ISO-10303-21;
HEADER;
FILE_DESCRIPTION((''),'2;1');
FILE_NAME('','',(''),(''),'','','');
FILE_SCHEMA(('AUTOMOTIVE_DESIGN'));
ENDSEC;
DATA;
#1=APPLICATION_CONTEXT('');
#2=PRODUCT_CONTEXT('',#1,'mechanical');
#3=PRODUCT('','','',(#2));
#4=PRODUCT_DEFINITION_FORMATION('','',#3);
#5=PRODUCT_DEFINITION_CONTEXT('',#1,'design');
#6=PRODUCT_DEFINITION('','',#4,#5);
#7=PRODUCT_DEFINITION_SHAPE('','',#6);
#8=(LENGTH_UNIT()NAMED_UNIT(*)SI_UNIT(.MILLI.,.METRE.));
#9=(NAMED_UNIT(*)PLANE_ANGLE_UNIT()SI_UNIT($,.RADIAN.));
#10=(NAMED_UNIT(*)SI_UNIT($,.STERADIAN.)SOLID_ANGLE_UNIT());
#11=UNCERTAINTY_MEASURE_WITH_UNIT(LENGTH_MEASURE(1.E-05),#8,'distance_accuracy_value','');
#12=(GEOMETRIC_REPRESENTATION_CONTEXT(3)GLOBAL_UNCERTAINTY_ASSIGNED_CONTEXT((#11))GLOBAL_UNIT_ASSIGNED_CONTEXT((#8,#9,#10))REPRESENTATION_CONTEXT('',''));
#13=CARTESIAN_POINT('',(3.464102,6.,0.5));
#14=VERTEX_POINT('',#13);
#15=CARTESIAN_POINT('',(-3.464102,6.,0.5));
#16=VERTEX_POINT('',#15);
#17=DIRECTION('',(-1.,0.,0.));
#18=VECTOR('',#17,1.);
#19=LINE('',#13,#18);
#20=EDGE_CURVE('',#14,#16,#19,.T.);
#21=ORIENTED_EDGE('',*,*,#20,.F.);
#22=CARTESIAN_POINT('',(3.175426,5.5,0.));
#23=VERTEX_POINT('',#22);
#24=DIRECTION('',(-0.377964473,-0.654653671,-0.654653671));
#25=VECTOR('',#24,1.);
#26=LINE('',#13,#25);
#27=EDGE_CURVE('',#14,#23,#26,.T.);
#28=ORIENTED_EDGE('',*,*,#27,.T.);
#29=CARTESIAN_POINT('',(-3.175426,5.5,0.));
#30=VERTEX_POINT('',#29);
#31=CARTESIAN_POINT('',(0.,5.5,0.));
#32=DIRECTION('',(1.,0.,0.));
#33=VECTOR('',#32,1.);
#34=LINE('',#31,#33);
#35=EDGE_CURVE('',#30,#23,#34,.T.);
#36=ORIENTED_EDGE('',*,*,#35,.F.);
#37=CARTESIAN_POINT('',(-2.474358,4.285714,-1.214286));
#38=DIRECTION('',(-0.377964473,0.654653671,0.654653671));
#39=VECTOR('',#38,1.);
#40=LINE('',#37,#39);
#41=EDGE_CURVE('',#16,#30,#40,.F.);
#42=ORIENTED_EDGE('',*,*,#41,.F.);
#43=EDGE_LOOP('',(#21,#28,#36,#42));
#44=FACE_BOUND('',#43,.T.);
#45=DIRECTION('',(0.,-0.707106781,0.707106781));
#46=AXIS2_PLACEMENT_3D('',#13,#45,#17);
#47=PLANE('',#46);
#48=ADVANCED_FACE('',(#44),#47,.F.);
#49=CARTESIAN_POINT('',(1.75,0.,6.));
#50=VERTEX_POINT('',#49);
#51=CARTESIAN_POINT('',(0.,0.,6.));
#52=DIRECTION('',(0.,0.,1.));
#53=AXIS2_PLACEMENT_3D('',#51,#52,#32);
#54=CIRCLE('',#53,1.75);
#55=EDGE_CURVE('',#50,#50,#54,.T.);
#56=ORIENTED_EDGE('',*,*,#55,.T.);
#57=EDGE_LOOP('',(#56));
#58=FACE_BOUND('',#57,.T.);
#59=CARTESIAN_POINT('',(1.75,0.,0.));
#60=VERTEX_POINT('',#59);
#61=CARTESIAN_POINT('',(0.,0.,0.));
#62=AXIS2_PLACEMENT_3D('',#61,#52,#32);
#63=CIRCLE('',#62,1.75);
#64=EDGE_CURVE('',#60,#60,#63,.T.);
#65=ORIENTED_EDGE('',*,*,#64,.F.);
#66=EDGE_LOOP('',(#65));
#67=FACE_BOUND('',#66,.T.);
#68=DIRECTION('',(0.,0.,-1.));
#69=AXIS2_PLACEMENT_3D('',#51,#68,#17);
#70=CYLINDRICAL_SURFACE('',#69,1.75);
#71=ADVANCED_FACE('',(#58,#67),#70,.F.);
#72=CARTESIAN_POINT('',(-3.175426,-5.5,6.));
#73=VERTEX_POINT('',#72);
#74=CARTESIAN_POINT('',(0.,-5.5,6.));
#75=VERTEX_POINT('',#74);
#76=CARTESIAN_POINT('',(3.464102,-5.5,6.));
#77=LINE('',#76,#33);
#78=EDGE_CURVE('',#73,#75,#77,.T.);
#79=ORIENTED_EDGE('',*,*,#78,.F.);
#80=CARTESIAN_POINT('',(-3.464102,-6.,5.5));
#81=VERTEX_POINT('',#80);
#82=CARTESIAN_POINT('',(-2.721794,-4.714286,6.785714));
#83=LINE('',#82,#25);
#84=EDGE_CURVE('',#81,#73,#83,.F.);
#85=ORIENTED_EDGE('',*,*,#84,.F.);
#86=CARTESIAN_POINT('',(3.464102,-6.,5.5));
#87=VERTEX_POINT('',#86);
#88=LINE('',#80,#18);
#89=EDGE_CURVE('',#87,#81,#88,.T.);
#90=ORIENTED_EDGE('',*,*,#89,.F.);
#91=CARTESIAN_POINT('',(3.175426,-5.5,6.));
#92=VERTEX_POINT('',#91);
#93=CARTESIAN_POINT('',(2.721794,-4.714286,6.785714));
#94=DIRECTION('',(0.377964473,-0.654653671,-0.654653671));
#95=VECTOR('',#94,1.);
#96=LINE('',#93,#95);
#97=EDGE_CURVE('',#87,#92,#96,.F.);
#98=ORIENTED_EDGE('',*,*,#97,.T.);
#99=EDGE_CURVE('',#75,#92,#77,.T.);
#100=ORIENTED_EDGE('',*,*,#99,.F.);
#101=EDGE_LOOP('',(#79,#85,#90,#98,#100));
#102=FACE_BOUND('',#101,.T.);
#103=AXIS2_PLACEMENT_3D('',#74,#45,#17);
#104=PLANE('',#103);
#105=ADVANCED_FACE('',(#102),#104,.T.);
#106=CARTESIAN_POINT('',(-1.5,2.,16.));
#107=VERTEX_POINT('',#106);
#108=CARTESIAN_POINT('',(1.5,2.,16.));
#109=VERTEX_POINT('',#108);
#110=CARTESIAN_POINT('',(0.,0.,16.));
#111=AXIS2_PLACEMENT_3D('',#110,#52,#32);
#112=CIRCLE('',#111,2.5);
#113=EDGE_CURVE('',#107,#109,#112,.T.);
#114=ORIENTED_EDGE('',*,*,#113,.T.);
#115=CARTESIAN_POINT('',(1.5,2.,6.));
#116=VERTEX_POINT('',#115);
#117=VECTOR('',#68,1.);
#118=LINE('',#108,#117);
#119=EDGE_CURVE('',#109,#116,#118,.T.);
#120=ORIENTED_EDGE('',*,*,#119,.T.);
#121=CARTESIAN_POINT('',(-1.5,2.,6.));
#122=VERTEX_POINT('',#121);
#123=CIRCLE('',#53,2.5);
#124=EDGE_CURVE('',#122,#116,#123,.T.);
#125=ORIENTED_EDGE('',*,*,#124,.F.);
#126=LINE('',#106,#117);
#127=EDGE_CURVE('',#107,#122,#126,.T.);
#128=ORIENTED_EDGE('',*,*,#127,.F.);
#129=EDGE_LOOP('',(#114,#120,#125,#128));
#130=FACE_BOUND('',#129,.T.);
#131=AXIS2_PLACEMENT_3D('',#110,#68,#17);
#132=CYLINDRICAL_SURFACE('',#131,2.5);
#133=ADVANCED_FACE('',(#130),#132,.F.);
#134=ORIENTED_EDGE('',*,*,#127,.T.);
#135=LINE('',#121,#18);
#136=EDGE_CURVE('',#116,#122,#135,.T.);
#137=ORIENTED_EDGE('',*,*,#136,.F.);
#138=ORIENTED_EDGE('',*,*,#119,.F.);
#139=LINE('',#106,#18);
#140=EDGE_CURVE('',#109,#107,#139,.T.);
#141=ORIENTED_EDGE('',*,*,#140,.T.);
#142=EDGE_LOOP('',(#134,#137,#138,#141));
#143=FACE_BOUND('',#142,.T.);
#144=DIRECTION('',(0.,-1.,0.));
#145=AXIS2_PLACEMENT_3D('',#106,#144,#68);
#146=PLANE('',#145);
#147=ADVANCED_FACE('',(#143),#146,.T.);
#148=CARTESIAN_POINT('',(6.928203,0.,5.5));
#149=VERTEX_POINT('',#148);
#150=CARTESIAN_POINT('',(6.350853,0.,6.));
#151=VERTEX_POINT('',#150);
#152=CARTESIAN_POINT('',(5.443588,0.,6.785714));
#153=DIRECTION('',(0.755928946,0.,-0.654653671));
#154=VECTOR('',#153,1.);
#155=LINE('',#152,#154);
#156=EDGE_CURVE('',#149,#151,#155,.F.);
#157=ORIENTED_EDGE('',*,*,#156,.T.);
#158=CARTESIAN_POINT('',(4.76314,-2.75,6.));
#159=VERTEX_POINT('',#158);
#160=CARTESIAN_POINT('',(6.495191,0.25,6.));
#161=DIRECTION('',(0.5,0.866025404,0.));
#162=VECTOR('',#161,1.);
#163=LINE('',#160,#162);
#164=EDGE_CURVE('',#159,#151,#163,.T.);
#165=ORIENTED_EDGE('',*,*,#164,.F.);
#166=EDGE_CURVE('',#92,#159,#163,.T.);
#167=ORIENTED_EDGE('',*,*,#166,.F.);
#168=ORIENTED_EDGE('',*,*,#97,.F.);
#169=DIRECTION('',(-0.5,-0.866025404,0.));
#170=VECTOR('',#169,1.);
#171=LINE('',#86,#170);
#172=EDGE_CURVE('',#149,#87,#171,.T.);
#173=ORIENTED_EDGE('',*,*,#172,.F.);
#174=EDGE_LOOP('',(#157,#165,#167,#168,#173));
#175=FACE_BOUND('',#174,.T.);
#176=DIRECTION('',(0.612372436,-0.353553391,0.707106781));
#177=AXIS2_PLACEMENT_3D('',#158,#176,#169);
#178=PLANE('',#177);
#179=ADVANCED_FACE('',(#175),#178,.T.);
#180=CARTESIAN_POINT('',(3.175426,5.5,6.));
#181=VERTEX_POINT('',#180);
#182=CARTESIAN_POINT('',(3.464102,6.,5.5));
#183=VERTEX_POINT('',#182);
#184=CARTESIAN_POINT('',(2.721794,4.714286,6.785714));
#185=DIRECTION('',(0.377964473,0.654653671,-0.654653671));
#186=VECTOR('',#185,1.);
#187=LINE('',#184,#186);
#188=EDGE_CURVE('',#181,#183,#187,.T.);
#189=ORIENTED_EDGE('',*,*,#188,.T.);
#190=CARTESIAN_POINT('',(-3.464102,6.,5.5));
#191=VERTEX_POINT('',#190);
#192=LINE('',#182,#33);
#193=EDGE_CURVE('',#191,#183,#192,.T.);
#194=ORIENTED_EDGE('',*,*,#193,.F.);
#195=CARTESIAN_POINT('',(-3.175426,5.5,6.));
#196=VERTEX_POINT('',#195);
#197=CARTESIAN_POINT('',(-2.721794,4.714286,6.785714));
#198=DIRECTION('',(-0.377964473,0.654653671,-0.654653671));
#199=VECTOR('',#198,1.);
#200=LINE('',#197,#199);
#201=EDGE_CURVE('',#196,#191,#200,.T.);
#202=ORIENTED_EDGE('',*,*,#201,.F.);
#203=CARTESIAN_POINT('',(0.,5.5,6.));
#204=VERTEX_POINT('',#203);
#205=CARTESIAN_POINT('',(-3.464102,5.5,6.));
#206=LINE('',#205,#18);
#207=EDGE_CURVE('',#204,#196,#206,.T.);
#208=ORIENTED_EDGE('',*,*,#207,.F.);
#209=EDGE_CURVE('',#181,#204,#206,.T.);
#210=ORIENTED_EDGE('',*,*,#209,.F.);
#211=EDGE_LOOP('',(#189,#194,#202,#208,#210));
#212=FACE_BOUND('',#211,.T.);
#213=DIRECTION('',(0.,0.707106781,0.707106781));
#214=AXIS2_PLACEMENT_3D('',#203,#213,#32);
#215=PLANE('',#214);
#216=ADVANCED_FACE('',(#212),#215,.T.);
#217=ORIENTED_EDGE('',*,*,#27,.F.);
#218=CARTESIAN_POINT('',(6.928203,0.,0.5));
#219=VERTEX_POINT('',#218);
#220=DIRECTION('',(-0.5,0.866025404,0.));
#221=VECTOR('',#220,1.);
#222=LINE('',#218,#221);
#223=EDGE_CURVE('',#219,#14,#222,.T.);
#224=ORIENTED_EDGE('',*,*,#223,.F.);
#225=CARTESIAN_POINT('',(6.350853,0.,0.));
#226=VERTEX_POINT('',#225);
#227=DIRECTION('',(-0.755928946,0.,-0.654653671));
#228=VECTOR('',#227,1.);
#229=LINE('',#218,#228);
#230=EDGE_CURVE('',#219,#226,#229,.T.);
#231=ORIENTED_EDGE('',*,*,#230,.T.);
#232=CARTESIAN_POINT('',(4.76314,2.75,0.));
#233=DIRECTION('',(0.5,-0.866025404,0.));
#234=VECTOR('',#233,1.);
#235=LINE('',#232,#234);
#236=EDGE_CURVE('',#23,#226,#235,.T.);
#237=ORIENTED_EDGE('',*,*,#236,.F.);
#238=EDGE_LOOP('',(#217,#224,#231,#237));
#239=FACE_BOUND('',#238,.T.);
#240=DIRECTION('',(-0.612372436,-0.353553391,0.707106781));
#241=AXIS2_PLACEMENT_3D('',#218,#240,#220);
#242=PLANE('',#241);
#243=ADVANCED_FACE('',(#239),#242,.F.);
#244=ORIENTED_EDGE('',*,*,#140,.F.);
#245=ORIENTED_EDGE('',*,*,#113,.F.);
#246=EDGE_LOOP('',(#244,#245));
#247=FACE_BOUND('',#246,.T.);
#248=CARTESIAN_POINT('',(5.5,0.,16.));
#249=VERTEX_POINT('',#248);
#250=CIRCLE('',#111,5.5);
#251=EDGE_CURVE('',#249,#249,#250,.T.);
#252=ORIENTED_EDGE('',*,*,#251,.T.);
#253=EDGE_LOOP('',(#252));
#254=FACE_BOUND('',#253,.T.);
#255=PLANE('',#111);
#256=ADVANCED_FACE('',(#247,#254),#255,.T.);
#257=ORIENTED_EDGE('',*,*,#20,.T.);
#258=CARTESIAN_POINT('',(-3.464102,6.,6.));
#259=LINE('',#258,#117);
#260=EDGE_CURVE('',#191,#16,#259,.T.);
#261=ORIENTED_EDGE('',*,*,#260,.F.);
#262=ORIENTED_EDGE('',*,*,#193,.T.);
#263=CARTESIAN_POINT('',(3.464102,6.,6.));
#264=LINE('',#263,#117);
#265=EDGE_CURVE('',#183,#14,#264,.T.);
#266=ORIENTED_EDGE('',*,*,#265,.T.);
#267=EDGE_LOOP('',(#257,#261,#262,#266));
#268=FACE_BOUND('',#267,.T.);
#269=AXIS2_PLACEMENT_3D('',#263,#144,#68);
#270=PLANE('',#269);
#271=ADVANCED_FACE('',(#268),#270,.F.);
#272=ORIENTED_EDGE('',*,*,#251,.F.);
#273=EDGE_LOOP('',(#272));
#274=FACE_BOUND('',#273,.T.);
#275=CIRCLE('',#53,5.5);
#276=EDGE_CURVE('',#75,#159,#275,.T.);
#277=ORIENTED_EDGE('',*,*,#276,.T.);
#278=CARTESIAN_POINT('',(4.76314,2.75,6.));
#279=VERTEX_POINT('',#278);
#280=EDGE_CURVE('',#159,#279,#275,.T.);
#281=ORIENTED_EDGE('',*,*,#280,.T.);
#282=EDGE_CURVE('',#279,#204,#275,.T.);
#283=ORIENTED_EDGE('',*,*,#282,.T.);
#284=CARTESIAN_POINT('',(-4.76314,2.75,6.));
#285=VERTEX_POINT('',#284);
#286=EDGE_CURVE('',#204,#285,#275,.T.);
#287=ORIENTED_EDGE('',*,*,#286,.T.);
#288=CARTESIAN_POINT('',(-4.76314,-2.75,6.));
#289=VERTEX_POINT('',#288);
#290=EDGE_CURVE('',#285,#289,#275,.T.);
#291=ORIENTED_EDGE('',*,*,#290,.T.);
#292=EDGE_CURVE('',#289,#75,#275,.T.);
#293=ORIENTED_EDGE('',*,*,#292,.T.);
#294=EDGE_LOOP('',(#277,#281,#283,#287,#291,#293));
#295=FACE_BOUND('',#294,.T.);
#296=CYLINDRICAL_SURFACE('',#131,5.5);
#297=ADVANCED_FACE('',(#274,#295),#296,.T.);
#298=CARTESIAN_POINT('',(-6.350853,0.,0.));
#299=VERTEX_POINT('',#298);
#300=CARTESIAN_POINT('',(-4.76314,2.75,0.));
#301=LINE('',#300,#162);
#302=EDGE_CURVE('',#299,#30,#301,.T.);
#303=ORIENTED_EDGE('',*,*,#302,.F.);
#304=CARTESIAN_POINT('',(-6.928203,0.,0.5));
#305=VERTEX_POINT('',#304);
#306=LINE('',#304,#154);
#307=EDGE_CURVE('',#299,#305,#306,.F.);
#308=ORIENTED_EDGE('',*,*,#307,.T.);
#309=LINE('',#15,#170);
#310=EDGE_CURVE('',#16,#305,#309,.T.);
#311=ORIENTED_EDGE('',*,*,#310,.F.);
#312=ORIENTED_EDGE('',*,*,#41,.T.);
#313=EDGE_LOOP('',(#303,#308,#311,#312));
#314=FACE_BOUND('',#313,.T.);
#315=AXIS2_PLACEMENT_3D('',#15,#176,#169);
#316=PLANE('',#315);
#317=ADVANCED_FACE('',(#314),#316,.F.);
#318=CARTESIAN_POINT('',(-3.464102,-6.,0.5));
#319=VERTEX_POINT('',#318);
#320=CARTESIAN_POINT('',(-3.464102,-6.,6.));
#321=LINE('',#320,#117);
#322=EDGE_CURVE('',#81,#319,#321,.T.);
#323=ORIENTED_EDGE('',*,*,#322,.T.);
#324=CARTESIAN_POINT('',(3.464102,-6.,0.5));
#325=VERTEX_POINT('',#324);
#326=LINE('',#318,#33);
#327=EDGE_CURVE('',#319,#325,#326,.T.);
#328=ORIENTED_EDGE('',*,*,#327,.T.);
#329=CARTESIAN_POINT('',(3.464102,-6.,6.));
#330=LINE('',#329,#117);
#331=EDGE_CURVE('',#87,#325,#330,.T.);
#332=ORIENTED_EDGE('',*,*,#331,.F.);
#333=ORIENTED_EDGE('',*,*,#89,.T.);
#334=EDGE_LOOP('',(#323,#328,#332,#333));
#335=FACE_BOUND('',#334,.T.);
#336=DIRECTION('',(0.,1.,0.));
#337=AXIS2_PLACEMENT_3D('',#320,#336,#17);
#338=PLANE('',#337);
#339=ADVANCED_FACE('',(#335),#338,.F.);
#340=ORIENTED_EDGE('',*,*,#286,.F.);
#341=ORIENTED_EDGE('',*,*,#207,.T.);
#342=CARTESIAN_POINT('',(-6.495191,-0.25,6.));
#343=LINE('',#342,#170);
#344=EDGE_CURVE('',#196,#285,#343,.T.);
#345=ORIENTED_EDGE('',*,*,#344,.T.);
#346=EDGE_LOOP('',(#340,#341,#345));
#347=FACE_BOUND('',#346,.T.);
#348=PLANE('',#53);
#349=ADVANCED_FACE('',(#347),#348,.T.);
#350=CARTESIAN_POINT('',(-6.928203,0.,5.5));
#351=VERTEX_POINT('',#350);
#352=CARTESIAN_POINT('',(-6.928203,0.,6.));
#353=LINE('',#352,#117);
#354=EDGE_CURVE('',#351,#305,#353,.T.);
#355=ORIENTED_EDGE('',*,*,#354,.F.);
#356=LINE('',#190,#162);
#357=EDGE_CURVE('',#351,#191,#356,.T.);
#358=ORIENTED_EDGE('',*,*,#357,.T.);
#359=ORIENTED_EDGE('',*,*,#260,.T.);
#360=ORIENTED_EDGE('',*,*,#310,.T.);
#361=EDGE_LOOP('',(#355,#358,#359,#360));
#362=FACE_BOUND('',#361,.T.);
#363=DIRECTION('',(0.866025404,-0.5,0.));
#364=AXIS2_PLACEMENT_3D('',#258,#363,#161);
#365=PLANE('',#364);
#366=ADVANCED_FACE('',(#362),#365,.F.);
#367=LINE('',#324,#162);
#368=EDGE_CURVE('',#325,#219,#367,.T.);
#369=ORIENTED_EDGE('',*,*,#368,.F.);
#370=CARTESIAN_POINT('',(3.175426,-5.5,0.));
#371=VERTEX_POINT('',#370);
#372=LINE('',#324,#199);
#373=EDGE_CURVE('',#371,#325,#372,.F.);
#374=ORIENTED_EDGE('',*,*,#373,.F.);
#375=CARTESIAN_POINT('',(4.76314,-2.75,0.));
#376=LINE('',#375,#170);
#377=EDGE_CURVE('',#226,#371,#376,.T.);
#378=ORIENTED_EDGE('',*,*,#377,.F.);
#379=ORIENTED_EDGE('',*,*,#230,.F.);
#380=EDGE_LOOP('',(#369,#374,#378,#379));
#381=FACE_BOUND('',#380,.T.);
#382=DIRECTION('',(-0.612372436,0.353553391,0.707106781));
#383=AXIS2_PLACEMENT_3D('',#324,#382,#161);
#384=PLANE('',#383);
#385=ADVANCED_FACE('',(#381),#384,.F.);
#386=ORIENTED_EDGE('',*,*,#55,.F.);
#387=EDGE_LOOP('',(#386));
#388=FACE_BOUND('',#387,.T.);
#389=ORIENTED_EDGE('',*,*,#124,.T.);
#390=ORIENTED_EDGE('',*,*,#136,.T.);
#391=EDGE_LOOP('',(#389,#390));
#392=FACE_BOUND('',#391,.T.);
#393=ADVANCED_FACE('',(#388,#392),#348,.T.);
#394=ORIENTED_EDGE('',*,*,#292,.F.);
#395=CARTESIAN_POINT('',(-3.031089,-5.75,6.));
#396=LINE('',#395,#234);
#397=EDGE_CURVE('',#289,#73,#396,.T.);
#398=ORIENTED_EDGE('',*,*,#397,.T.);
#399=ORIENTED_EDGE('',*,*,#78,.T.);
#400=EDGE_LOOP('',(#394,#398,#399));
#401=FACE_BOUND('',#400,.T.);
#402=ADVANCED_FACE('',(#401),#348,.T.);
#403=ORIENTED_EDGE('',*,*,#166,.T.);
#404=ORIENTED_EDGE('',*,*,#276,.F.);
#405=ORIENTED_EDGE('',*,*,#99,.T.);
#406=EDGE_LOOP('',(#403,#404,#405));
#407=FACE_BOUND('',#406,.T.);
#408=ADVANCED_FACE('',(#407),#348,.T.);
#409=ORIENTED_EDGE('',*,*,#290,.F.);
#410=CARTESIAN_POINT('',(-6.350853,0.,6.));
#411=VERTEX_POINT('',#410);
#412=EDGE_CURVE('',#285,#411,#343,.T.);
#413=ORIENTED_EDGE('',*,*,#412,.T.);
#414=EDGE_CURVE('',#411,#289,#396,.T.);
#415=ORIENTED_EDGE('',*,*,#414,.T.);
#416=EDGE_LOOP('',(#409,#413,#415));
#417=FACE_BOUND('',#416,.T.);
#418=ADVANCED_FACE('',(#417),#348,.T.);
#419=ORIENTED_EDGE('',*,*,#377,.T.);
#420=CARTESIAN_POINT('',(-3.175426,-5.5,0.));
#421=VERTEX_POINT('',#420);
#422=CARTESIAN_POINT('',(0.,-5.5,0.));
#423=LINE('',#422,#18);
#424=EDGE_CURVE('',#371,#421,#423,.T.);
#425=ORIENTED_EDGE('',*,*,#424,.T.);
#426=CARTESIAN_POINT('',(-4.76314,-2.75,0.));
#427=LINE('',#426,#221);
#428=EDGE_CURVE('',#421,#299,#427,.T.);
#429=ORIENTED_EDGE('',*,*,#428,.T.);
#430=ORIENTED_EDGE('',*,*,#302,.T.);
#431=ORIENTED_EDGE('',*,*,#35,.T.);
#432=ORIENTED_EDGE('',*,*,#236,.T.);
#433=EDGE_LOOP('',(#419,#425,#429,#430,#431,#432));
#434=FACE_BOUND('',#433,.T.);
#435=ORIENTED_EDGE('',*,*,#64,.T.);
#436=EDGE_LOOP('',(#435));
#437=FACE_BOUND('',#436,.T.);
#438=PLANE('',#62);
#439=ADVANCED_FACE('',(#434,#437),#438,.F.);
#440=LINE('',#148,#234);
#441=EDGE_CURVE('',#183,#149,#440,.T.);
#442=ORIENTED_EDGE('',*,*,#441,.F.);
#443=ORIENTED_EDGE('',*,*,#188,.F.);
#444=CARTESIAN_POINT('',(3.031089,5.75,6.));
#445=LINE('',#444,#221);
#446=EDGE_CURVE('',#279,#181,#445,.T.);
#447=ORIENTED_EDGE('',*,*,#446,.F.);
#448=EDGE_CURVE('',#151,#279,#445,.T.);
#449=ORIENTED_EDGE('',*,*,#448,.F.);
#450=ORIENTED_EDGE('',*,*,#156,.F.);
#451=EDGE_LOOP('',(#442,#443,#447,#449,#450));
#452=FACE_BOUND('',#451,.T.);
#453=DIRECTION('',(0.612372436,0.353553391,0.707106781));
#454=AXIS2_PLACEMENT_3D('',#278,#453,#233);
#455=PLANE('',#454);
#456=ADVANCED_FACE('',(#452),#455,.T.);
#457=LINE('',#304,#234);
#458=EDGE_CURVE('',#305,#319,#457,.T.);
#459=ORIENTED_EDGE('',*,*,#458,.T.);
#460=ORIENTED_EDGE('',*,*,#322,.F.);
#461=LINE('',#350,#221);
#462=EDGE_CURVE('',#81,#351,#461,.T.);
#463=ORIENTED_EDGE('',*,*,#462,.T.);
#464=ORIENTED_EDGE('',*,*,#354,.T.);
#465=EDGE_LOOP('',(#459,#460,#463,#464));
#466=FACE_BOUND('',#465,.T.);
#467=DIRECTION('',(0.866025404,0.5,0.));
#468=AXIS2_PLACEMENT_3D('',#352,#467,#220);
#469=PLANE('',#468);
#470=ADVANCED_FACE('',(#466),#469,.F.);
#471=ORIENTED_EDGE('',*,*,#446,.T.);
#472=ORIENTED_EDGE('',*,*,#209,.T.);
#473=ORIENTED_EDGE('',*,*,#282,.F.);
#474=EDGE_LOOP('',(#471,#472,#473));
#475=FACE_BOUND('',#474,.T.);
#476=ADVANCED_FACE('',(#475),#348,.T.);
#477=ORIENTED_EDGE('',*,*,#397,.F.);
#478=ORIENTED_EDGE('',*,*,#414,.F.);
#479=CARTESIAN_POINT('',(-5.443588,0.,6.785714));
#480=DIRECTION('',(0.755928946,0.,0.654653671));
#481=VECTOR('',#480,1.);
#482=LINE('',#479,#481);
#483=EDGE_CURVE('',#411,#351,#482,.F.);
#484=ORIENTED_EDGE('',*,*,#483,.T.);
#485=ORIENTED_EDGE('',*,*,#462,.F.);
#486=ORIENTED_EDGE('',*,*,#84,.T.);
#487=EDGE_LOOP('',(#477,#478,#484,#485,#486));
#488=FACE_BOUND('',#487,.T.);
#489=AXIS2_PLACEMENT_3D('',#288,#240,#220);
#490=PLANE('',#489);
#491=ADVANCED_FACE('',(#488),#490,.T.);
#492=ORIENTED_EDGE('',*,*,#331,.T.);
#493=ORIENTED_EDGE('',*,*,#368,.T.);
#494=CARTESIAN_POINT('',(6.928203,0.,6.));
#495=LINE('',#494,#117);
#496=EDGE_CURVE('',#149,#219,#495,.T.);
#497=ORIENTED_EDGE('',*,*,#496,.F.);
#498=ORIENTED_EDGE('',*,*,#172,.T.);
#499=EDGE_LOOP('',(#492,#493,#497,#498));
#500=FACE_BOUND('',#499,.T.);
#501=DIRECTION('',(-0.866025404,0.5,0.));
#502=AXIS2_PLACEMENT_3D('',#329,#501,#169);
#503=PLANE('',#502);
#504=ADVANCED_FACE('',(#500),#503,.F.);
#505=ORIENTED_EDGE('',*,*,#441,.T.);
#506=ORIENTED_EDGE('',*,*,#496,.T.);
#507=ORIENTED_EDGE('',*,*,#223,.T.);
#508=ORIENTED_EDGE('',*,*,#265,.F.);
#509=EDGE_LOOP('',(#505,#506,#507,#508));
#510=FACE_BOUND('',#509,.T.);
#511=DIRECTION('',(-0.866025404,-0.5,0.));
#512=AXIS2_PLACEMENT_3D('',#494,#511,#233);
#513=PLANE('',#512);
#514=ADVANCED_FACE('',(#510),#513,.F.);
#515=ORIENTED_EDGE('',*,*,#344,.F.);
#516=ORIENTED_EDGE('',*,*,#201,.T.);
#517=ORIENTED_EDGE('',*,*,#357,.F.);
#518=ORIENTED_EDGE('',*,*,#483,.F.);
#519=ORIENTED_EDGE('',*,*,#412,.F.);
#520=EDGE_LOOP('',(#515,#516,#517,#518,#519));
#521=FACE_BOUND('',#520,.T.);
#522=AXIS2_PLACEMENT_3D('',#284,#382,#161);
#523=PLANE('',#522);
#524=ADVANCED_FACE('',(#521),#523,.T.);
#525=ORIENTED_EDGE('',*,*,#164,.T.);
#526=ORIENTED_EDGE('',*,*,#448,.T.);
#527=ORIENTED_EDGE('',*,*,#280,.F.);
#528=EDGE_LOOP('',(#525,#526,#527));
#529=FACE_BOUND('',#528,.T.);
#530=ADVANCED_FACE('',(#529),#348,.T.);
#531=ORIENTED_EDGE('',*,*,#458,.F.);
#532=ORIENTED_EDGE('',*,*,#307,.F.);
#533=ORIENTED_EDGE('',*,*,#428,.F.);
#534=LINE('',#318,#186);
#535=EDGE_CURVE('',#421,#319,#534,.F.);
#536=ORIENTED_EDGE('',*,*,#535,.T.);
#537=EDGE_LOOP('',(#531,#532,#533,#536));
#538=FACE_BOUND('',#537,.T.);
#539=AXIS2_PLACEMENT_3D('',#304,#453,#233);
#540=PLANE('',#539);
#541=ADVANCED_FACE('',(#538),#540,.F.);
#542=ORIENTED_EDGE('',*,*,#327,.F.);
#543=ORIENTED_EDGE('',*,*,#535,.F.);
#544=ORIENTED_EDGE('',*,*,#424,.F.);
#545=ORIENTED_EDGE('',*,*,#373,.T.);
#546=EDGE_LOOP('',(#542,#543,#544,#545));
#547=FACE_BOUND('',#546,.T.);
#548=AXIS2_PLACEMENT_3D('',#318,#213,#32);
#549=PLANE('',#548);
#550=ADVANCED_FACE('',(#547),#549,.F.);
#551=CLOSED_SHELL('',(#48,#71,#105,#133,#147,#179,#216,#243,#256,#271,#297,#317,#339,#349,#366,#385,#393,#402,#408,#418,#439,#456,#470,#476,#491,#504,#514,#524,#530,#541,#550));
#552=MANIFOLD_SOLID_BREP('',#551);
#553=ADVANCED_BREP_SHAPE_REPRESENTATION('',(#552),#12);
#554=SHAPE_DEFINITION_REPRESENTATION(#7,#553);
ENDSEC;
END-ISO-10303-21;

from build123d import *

# Parameters (mm, degrees)
SKETCH_1_R      = 1.75
EXTRUDE_1_DEPTH = 6
CHAMFER_1_SIZE  = 0.5
SKETCH_2_R      = 5.5
EXTRUDE_2_DEPTH = 10


with BuildPart() as part:
    # 草图1 → 凸台-拉伸1 (new body)
    with BuildSketch(Plane.XY):
        Polygon((3.464101615, 6), (-3.464101615, 6), (-6.92820323, 0), (-3.464101615, -6), (3.464101615, -6), (6.92820323, 0), align=None)
        Circle(SKETCH_1_R, mode=Mode.SUBTRACT)
    extrude(amount=EXTRUDE_1_DEPTH)

    # 倒角1
    chamfer_1_edges = [part.edges().sort_by_distance(p)[0] for p in [
        (-5.196152423, 3, 6),
        (-5.196152423, -3, 6),
        (0, -6, 6),
        (5.196152423, -3, 6),
        (5.196152423, 3, 6),
        (5.196152423, -3, 0),
        (0, -6, 0),
        (-5.196152423, -3, 0),
        (-5.196152423, 3, 0),
        (0, 6, 0),
        (5.196152423, 3, 0),
        (0, 6, 6),
    ]]
    chamfer(chamfer_1_edges, length=CHAMFER_1_SIZE)

    # 草图2 → 凸台-拉伸2 (add)
    with BuildSketch(Plane.XY.offset(6)):
        with Locations(Location((0, 0, 0), (0, 0, 150))):
            Circle(SKETCH_2_R)
        with BuildLine():
            Line((-1.5, 2), (1.5, 2))
            ThreePointArc((1.5, 2), (0, -2.5), (-1.5, 2))
        make_face(mode=Mode.SUBTRACT)
    extrude(amount=EXTRUDE_2_DEPTH)


solid = part.part
